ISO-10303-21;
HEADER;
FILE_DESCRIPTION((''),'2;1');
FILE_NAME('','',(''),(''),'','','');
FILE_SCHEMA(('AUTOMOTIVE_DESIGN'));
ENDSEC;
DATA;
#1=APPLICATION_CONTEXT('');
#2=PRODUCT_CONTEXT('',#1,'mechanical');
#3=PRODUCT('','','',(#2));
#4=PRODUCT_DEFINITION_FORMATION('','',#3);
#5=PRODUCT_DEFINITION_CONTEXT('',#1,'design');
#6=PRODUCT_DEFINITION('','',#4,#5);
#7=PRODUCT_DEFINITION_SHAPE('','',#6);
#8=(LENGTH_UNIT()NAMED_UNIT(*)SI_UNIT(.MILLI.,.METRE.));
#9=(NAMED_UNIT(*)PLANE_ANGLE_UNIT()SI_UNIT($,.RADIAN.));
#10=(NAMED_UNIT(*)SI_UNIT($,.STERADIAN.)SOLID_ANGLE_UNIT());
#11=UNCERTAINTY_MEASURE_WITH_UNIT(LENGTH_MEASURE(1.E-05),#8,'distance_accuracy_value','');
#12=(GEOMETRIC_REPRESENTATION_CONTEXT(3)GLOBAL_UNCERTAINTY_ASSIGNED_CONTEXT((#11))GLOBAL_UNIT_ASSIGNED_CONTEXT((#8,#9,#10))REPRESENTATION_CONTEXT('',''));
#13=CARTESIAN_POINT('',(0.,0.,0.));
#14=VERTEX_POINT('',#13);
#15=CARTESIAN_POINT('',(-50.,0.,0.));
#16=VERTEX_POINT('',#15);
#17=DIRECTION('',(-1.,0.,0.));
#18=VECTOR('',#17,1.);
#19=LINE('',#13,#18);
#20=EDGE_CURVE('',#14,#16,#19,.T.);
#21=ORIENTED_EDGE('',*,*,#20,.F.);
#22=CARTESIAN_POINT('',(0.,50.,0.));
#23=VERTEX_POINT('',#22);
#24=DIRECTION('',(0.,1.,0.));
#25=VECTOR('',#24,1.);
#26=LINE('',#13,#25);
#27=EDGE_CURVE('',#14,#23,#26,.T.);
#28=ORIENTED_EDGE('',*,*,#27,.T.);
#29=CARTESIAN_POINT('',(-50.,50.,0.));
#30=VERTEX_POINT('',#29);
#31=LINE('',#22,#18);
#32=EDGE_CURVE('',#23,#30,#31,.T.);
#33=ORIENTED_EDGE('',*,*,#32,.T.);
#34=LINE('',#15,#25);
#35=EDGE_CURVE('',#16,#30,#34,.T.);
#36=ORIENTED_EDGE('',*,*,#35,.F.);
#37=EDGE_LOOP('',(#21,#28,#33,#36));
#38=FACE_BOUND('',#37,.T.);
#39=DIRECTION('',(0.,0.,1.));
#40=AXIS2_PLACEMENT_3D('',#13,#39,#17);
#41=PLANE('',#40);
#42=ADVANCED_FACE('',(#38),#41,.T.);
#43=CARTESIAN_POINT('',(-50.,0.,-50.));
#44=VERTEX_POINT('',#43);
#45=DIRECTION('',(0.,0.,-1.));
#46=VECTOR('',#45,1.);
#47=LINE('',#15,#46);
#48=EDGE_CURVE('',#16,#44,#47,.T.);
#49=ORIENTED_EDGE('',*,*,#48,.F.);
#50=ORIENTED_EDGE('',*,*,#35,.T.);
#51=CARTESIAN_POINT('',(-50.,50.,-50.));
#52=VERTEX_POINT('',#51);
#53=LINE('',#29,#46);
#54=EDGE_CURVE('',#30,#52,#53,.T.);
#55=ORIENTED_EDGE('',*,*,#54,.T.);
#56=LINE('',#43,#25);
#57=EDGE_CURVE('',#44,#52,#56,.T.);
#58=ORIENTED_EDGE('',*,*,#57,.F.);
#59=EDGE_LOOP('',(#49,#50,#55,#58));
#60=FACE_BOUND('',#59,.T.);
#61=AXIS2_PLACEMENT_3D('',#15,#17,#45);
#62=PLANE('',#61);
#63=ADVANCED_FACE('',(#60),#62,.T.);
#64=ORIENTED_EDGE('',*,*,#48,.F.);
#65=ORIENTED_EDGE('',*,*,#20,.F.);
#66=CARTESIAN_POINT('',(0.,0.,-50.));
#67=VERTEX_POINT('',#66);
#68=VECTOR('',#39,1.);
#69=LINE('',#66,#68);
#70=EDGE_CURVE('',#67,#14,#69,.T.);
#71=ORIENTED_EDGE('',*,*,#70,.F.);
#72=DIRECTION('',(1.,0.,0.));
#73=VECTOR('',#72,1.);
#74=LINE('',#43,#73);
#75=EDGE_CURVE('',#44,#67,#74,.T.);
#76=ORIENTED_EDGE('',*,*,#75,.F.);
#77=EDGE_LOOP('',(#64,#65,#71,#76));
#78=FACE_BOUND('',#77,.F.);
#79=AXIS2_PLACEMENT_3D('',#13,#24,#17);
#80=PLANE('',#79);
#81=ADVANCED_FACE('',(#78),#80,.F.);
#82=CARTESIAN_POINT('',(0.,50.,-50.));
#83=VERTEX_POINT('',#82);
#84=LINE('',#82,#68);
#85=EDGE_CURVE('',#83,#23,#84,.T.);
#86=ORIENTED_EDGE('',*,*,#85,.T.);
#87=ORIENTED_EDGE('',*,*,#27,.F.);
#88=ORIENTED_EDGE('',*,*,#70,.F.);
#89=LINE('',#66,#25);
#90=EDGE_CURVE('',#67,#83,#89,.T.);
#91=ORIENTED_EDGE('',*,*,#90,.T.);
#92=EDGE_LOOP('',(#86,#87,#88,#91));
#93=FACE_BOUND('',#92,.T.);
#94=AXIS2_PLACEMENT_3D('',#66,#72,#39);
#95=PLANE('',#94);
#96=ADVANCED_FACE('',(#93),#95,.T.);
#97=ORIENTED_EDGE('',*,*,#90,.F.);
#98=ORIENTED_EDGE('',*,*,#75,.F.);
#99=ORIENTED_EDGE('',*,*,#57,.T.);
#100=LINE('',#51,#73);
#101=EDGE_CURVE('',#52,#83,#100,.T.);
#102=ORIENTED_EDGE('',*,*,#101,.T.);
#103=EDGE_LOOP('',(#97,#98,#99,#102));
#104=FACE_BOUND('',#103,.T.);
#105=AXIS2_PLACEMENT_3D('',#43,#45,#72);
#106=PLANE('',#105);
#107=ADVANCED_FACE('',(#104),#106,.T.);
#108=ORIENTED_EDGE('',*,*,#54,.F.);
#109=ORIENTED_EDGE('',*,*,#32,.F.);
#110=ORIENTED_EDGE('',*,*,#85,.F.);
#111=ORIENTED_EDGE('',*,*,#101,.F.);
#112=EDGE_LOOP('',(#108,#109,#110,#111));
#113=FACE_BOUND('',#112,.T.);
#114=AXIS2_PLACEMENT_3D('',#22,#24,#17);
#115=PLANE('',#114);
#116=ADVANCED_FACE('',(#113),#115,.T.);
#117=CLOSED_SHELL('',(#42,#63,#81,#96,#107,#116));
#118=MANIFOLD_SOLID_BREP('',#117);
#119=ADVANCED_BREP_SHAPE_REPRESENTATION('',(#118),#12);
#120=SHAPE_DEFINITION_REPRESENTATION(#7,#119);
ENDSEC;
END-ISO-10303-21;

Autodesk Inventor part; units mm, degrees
ref_plane "YZ Plane" through (0, 0, 0) normal (1, 0, 0) x (0, 1, 0)
ref_plane "XZ Plane" through (0, 0, 0) normal (0, 1, 0) x (-1, 0, 0)
ref_plane "XY Plane" through (0, 0, 0) normal (0, 0, 1) x (1, 0, 0)
sketch "スケッチ1" plane through (0, 0, 0) normal (0, 1, 0) x (-1, 0, 0)
  line L0 (0, 0) -> (50, 0)
  line L1 (50, 0) -> (50, -50)
  line L2 (50, -50) -> (0, -50)
  line L3 (0, -50) -> (0, 0)
  dimension "d0" = 50
  dimension "d1" = 50
extrude "押し出し1" add sketch "スケッチ1" along normal blind 50
properties part number "load"
